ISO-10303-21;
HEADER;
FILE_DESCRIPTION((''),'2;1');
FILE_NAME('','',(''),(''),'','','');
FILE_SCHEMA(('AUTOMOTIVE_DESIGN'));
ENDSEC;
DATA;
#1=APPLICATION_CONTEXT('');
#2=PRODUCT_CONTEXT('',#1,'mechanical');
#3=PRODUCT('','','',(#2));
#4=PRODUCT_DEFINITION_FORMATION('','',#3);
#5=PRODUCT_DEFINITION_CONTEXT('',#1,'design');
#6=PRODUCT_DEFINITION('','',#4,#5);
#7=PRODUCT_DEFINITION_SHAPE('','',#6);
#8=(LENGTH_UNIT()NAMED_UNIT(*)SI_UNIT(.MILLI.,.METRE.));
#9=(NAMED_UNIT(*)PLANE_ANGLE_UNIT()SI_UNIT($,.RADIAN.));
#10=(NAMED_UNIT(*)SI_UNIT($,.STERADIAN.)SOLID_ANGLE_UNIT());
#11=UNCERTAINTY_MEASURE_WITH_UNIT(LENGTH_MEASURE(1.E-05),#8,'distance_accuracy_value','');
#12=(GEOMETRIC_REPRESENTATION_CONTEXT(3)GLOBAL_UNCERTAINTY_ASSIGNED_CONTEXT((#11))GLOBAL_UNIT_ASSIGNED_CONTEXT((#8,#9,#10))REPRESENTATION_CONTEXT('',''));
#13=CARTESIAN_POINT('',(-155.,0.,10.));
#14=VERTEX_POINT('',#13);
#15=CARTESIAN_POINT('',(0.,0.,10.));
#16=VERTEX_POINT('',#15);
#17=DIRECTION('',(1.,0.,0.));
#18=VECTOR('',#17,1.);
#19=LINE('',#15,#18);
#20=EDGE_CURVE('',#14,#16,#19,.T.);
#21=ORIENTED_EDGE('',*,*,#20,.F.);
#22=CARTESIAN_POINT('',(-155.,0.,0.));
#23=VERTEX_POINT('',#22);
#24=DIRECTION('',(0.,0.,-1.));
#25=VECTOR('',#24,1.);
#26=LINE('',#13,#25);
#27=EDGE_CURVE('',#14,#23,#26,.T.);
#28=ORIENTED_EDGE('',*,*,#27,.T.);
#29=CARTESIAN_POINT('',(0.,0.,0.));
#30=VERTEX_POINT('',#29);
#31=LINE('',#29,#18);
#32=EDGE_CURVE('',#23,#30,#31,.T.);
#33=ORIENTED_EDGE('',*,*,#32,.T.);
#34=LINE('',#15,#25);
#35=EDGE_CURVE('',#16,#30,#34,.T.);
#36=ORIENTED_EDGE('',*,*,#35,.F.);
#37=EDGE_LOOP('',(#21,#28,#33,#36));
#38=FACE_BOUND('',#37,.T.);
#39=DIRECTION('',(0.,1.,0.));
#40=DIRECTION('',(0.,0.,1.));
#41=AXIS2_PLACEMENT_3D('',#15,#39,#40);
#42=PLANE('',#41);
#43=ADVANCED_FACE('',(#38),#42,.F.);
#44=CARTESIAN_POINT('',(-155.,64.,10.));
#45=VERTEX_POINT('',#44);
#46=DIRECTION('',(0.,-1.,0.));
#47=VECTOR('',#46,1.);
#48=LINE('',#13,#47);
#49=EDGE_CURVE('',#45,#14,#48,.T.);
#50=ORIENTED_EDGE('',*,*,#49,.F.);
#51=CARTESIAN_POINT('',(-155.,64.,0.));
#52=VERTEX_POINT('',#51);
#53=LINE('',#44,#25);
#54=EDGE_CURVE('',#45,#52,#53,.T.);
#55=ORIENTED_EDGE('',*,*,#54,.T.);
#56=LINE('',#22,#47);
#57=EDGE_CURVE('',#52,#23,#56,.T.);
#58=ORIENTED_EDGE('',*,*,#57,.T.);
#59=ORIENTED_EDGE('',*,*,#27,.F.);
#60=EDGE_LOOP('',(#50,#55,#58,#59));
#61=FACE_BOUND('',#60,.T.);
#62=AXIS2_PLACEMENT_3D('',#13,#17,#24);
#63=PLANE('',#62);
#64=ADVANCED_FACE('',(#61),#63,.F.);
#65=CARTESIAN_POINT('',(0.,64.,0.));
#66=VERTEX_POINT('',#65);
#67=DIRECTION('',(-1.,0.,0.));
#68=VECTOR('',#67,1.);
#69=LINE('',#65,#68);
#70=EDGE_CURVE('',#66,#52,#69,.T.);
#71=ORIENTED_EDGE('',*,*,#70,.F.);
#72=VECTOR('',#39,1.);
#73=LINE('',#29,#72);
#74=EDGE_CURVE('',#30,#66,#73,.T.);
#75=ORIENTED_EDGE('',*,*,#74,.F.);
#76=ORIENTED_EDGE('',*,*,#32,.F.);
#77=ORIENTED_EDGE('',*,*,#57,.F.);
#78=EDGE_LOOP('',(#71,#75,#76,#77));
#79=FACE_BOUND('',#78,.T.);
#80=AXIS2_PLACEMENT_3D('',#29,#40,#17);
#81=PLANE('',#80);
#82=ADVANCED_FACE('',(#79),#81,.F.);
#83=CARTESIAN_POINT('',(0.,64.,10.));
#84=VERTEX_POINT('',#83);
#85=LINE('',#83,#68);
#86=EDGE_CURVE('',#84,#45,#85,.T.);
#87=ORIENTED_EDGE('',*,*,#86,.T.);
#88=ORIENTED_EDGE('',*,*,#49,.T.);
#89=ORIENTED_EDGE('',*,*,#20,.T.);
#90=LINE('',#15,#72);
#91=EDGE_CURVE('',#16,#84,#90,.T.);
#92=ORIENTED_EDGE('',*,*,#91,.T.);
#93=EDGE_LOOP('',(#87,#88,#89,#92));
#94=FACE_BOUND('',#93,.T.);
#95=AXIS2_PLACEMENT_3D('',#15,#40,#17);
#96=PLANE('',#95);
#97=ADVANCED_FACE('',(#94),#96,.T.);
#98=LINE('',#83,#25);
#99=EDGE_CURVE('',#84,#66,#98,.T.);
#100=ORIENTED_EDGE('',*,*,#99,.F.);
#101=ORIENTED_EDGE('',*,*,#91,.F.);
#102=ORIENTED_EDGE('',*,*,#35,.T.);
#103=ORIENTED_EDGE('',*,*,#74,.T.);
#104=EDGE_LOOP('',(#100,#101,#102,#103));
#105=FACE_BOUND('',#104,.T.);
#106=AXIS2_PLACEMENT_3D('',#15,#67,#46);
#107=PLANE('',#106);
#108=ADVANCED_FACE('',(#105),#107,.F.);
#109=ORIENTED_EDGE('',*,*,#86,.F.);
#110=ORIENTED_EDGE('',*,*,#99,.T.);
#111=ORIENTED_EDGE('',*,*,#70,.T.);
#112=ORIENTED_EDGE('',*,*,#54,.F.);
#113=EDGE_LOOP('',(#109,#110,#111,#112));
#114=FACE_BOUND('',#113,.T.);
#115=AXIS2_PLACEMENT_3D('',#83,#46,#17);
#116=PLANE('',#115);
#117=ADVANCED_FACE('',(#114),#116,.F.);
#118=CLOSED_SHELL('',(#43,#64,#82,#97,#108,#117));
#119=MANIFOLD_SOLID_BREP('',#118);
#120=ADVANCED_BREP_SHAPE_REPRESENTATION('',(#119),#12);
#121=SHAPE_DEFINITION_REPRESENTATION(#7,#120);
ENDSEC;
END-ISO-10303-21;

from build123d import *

# Parameters (mm, degrees)
ESQUISSE1_W        = 155
ESQUISSE1_H        = 64
BOSS_EXTRU_1_DEPTH = 10


with BuildPart() as part:
    # Esquisse1 → Boss.-Extru.1 (new body)
    with BuildSketch(Plane.XY):
        with Locations((-77.5, 32)):
            Rectangle(ESQUISSE1_W, ESQUISSE1_H)
    extrude(amount=BOSS_EXTRU_1_DEPTH)


solid = part.part
